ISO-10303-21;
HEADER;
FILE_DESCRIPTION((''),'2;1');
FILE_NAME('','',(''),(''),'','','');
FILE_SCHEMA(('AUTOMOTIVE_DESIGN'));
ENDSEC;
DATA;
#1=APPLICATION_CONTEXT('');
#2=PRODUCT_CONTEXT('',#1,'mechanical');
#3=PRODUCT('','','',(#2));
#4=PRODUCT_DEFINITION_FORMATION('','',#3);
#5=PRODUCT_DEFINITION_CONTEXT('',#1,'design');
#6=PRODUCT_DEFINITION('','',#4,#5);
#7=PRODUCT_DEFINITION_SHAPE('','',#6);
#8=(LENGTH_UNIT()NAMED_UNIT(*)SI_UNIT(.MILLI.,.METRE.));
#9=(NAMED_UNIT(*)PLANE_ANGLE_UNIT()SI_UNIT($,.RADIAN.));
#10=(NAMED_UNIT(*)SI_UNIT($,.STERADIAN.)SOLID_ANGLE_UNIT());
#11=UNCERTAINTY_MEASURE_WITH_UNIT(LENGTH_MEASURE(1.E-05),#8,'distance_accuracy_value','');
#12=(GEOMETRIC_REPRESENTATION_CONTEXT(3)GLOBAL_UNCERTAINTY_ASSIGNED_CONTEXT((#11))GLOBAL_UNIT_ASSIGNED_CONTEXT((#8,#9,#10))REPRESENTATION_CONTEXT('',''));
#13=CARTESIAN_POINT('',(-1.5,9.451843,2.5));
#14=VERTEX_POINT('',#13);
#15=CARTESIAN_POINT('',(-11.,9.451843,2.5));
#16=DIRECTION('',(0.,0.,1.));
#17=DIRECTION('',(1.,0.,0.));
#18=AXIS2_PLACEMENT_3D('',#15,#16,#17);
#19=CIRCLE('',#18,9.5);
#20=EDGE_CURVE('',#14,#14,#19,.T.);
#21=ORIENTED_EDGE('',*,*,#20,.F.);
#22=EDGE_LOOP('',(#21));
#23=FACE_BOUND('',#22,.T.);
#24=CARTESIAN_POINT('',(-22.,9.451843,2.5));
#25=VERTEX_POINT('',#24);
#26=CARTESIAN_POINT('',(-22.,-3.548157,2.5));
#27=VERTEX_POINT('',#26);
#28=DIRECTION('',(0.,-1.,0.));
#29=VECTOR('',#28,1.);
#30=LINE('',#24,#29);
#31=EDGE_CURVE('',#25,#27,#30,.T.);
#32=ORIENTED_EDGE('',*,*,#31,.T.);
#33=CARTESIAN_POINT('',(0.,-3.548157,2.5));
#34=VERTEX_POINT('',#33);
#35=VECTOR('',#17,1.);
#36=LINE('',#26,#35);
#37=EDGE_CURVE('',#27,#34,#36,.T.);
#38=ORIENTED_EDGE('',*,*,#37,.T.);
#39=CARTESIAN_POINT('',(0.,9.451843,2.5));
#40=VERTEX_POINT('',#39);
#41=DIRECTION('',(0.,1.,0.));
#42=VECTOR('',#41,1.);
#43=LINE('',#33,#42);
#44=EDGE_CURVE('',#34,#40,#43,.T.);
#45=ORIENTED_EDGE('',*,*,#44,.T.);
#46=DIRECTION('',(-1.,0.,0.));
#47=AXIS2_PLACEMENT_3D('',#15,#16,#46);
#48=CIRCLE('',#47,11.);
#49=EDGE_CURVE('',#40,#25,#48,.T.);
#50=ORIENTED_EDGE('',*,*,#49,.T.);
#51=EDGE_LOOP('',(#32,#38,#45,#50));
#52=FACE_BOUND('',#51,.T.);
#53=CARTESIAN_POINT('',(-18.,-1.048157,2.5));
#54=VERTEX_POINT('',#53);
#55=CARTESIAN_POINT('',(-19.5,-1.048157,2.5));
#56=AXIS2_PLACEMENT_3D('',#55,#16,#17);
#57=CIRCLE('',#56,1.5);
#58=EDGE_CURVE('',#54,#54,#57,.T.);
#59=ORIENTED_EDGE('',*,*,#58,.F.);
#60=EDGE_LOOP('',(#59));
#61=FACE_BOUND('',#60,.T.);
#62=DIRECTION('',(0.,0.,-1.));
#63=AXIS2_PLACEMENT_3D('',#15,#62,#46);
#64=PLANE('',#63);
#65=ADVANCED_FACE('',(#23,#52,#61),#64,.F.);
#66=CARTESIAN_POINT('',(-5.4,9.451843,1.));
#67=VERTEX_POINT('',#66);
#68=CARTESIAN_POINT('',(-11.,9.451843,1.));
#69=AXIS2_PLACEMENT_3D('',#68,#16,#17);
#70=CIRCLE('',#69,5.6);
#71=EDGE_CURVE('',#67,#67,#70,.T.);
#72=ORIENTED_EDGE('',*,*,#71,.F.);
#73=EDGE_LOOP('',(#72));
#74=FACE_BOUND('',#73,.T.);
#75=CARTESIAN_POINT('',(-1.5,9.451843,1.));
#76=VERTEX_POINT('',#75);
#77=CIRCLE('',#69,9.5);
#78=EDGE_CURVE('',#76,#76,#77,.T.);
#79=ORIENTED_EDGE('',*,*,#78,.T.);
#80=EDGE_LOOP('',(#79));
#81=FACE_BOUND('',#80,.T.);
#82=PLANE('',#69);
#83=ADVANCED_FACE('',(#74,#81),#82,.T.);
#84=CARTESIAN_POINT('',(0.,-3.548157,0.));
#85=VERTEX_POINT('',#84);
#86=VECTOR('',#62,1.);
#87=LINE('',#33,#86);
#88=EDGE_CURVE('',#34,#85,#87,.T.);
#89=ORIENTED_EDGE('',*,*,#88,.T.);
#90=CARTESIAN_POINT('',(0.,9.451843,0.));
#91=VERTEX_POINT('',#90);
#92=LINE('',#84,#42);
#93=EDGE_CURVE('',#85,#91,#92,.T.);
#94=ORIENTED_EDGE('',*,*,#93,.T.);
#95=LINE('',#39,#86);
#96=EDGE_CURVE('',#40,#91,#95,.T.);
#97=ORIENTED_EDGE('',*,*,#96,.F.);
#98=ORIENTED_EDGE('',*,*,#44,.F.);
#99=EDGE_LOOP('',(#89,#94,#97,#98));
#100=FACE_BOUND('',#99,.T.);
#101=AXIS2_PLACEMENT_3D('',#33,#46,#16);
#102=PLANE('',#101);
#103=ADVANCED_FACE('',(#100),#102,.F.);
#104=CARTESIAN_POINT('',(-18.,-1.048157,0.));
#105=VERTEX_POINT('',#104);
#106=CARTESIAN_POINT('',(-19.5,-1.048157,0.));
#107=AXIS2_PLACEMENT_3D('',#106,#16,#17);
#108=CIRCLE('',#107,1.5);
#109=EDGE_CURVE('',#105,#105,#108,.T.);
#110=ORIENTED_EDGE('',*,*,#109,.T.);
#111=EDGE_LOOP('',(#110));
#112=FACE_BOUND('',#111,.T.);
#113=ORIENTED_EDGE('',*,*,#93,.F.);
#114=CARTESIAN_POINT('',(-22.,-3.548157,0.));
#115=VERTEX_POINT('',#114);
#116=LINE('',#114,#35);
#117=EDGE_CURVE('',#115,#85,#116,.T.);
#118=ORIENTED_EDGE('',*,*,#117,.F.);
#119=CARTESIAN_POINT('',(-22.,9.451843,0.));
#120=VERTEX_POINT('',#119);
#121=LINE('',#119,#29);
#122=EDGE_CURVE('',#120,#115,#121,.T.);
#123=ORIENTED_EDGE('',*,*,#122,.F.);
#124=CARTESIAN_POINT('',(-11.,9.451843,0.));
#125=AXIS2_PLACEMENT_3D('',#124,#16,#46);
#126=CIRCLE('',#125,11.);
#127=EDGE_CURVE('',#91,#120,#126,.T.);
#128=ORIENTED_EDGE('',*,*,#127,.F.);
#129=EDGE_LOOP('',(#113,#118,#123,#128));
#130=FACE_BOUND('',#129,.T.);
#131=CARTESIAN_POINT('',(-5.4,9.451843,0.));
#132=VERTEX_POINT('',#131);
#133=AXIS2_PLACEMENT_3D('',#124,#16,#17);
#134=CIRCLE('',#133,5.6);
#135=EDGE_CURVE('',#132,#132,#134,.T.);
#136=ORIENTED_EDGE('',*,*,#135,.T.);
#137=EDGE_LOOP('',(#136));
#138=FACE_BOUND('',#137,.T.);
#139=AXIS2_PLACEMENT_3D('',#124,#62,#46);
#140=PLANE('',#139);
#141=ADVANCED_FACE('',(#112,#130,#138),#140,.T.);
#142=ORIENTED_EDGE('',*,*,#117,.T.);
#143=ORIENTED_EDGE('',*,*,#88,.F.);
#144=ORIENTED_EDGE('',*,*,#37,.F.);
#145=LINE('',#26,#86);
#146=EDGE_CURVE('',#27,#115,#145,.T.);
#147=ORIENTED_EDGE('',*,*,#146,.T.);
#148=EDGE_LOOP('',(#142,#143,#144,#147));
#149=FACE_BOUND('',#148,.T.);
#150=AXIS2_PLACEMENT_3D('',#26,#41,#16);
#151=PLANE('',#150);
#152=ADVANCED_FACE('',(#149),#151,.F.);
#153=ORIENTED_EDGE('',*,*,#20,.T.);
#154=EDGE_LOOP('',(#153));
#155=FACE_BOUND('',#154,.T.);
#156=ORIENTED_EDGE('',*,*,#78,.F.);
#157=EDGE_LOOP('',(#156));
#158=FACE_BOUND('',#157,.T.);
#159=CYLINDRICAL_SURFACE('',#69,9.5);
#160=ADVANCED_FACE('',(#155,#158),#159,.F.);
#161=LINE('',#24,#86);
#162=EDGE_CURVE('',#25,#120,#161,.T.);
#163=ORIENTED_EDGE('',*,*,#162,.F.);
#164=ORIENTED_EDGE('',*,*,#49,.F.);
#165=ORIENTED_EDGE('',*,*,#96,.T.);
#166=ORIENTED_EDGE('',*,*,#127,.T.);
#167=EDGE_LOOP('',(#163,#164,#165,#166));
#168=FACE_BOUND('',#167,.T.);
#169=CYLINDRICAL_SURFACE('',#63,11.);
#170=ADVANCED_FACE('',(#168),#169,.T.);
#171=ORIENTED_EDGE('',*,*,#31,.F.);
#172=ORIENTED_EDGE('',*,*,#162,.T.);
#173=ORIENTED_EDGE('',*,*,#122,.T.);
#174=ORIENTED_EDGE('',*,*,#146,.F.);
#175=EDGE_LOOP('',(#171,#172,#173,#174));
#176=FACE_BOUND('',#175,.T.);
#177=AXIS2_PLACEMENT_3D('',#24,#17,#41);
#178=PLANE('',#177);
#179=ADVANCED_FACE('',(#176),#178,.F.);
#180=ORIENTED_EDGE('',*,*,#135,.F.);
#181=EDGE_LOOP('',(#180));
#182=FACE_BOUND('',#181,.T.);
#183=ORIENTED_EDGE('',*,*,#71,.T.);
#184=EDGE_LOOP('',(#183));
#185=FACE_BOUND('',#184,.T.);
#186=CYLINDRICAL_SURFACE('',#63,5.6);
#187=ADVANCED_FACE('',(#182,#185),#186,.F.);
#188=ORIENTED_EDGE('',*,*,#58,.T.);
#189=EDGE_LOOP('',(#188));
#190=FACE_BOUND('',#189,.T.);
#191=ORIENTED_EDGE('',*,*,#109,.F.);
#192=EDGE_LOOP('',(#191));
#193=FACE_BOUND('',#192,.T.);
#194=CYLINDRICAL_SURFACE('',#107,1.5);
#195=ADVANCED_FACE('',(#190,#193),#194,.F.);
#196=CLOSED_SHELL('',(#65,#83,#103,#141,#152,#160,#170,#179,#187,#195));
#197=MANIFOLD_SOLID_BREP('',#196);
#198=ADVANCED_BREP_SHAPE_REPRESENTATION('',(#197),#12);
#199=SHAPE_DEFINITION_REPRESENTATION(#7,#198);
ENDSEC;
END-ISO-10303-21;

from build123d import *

# Parameters (mm, degrees)
ESQUISSE1_R      = 5.6
EXTRUSION1_DEPTH = 2.5
ESQUISSE2_R      = 9.5
EXTRUSION2_DEPTH = 1.5
ESQUISSE3_R      = 1.5
EXTRUSION3_DEPTH = 31.141796481


with BuildPart() as part:
    # Esquisse1 → Extrusion1 (new body)
    with BuildSketch(Plane.XY):
        with BuildLine():
            Line((-22, 9.451843318), (-22, -3.548156682))
            Line((-22, -3.548156682), (0, -3.548156682))
            Line((0, -3.548156682), (0, 9.451843318))
            ThreePointArc((0, 9.451843318), (-11, 20.451843318), (-22, 9.451843318))
        make_face()
        with Locations((-11, 9.451843318)):
            Circle(ESQUISSE1_R, mode=Mode.SUBTRACT)
    extrude(amount=EXTRUSION1_DEPTH)

    # Esquisse2 → Extrusion2 (cut)
    with BuildSketch(Plane.XY.offset(2.5)):
        with Locations((-11, 9.451843318)):
            Circle(ESQUISSE2_R)
    extrude(amount=-EXTRUSION2_DEPTH, mode=Mode.SUBTRACT)

    # Esquisse3 → Extrusion3 (cut, through all)
    with BuildSketch(Plane.XY.offset(2.5)):
        with Locations((-19.5, -1.048156682)):
            Circle(ESQUISSE3_R)
    extrude(amount=-EXTRUSION3_DEPTH, mode=Mode.SUBTRACT)


solid = part.part
